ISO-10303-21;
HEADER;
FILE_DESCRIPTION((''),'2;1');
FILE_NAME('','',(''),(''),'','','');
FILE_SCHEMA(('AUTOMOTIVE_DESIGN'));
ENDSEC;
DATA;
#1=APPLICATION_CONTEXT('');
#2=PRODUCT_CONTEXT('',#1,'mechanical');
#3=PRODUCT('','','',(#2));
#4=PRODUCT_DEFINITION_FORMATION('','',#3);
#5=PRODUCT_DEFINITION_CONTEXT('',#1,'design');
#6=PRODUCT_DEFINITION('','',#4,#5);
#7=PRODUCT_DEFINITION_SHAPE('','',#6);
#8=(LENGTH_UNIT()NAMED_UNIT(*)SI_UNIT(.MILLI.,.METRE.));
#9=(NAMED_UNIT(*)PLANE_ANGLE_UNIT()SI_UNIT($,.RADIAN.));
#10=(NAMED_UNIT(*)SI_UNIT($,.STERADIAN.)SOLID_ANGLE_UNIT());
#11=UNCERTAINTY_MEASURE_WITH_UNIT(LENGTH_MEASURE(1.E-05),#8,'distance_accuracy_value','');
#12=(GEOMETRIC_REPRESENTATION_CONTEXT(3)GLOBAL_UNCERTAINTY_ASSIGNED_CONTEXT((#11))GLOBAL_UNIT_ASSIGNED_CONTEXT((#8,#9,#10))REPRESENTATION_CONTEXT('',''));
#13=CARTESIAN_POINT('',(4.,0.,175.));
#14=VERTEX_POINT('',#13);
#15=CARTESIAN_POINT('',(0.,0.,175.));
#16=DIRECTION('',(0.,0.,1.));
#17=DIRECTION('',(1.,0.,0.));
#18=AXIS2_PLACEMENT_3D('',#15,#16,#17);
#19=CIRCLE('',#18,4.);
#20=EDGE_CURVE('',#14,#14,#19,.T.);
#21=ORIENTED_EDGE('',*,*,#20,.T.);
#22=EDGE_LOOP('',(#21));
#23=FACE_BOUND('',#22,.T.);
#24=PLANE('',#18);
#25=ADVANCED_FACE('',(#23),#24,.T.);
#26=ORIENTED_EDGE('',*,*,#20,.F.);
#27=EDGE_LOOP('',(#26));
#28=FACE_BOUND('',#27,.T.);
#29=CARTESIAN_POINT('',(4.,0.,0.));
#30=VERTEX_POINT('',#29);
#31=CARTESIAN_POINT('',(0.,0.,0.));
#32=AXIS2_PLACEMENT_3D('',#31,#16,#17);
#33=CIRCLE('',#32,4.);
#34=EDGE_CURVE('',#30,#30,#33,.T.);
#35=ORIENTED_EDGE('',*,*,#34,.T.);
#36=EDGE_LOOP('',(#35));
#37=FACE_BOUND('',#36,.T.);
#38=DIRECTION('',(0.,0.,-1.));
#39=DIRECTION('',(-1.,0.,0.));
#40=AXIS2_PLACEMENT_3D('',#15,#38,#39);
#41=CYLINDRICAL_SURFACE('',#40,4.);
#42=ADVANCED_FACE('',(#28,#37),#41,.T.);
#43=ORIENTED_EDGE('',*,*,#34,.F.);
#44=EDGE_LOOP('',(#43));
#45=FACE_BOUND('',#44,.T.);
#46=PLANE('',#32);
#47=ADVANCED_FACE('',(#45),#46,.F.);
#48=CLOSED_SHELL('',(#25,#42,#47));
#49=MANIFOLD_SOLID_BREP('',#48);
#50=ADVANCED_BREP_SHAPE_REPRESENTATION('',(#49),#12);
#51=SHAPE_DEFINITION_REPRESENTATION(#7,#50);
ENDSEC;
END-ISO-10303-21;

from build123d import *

# Parameters (mm, degrees)
SKETCH1_R           = 4
BOSS_EXTRUDE1_DEPTH = 175


with BuildPart() as part:
    # Sketch1 → Boss-Extrude1 (new body)
    with BuildSketch(Plane.XY):
        Circle(SKETCH1_R)
    extrude(amount=BOSS_EXTRUDE1_DEPTH)


solid = part.part
